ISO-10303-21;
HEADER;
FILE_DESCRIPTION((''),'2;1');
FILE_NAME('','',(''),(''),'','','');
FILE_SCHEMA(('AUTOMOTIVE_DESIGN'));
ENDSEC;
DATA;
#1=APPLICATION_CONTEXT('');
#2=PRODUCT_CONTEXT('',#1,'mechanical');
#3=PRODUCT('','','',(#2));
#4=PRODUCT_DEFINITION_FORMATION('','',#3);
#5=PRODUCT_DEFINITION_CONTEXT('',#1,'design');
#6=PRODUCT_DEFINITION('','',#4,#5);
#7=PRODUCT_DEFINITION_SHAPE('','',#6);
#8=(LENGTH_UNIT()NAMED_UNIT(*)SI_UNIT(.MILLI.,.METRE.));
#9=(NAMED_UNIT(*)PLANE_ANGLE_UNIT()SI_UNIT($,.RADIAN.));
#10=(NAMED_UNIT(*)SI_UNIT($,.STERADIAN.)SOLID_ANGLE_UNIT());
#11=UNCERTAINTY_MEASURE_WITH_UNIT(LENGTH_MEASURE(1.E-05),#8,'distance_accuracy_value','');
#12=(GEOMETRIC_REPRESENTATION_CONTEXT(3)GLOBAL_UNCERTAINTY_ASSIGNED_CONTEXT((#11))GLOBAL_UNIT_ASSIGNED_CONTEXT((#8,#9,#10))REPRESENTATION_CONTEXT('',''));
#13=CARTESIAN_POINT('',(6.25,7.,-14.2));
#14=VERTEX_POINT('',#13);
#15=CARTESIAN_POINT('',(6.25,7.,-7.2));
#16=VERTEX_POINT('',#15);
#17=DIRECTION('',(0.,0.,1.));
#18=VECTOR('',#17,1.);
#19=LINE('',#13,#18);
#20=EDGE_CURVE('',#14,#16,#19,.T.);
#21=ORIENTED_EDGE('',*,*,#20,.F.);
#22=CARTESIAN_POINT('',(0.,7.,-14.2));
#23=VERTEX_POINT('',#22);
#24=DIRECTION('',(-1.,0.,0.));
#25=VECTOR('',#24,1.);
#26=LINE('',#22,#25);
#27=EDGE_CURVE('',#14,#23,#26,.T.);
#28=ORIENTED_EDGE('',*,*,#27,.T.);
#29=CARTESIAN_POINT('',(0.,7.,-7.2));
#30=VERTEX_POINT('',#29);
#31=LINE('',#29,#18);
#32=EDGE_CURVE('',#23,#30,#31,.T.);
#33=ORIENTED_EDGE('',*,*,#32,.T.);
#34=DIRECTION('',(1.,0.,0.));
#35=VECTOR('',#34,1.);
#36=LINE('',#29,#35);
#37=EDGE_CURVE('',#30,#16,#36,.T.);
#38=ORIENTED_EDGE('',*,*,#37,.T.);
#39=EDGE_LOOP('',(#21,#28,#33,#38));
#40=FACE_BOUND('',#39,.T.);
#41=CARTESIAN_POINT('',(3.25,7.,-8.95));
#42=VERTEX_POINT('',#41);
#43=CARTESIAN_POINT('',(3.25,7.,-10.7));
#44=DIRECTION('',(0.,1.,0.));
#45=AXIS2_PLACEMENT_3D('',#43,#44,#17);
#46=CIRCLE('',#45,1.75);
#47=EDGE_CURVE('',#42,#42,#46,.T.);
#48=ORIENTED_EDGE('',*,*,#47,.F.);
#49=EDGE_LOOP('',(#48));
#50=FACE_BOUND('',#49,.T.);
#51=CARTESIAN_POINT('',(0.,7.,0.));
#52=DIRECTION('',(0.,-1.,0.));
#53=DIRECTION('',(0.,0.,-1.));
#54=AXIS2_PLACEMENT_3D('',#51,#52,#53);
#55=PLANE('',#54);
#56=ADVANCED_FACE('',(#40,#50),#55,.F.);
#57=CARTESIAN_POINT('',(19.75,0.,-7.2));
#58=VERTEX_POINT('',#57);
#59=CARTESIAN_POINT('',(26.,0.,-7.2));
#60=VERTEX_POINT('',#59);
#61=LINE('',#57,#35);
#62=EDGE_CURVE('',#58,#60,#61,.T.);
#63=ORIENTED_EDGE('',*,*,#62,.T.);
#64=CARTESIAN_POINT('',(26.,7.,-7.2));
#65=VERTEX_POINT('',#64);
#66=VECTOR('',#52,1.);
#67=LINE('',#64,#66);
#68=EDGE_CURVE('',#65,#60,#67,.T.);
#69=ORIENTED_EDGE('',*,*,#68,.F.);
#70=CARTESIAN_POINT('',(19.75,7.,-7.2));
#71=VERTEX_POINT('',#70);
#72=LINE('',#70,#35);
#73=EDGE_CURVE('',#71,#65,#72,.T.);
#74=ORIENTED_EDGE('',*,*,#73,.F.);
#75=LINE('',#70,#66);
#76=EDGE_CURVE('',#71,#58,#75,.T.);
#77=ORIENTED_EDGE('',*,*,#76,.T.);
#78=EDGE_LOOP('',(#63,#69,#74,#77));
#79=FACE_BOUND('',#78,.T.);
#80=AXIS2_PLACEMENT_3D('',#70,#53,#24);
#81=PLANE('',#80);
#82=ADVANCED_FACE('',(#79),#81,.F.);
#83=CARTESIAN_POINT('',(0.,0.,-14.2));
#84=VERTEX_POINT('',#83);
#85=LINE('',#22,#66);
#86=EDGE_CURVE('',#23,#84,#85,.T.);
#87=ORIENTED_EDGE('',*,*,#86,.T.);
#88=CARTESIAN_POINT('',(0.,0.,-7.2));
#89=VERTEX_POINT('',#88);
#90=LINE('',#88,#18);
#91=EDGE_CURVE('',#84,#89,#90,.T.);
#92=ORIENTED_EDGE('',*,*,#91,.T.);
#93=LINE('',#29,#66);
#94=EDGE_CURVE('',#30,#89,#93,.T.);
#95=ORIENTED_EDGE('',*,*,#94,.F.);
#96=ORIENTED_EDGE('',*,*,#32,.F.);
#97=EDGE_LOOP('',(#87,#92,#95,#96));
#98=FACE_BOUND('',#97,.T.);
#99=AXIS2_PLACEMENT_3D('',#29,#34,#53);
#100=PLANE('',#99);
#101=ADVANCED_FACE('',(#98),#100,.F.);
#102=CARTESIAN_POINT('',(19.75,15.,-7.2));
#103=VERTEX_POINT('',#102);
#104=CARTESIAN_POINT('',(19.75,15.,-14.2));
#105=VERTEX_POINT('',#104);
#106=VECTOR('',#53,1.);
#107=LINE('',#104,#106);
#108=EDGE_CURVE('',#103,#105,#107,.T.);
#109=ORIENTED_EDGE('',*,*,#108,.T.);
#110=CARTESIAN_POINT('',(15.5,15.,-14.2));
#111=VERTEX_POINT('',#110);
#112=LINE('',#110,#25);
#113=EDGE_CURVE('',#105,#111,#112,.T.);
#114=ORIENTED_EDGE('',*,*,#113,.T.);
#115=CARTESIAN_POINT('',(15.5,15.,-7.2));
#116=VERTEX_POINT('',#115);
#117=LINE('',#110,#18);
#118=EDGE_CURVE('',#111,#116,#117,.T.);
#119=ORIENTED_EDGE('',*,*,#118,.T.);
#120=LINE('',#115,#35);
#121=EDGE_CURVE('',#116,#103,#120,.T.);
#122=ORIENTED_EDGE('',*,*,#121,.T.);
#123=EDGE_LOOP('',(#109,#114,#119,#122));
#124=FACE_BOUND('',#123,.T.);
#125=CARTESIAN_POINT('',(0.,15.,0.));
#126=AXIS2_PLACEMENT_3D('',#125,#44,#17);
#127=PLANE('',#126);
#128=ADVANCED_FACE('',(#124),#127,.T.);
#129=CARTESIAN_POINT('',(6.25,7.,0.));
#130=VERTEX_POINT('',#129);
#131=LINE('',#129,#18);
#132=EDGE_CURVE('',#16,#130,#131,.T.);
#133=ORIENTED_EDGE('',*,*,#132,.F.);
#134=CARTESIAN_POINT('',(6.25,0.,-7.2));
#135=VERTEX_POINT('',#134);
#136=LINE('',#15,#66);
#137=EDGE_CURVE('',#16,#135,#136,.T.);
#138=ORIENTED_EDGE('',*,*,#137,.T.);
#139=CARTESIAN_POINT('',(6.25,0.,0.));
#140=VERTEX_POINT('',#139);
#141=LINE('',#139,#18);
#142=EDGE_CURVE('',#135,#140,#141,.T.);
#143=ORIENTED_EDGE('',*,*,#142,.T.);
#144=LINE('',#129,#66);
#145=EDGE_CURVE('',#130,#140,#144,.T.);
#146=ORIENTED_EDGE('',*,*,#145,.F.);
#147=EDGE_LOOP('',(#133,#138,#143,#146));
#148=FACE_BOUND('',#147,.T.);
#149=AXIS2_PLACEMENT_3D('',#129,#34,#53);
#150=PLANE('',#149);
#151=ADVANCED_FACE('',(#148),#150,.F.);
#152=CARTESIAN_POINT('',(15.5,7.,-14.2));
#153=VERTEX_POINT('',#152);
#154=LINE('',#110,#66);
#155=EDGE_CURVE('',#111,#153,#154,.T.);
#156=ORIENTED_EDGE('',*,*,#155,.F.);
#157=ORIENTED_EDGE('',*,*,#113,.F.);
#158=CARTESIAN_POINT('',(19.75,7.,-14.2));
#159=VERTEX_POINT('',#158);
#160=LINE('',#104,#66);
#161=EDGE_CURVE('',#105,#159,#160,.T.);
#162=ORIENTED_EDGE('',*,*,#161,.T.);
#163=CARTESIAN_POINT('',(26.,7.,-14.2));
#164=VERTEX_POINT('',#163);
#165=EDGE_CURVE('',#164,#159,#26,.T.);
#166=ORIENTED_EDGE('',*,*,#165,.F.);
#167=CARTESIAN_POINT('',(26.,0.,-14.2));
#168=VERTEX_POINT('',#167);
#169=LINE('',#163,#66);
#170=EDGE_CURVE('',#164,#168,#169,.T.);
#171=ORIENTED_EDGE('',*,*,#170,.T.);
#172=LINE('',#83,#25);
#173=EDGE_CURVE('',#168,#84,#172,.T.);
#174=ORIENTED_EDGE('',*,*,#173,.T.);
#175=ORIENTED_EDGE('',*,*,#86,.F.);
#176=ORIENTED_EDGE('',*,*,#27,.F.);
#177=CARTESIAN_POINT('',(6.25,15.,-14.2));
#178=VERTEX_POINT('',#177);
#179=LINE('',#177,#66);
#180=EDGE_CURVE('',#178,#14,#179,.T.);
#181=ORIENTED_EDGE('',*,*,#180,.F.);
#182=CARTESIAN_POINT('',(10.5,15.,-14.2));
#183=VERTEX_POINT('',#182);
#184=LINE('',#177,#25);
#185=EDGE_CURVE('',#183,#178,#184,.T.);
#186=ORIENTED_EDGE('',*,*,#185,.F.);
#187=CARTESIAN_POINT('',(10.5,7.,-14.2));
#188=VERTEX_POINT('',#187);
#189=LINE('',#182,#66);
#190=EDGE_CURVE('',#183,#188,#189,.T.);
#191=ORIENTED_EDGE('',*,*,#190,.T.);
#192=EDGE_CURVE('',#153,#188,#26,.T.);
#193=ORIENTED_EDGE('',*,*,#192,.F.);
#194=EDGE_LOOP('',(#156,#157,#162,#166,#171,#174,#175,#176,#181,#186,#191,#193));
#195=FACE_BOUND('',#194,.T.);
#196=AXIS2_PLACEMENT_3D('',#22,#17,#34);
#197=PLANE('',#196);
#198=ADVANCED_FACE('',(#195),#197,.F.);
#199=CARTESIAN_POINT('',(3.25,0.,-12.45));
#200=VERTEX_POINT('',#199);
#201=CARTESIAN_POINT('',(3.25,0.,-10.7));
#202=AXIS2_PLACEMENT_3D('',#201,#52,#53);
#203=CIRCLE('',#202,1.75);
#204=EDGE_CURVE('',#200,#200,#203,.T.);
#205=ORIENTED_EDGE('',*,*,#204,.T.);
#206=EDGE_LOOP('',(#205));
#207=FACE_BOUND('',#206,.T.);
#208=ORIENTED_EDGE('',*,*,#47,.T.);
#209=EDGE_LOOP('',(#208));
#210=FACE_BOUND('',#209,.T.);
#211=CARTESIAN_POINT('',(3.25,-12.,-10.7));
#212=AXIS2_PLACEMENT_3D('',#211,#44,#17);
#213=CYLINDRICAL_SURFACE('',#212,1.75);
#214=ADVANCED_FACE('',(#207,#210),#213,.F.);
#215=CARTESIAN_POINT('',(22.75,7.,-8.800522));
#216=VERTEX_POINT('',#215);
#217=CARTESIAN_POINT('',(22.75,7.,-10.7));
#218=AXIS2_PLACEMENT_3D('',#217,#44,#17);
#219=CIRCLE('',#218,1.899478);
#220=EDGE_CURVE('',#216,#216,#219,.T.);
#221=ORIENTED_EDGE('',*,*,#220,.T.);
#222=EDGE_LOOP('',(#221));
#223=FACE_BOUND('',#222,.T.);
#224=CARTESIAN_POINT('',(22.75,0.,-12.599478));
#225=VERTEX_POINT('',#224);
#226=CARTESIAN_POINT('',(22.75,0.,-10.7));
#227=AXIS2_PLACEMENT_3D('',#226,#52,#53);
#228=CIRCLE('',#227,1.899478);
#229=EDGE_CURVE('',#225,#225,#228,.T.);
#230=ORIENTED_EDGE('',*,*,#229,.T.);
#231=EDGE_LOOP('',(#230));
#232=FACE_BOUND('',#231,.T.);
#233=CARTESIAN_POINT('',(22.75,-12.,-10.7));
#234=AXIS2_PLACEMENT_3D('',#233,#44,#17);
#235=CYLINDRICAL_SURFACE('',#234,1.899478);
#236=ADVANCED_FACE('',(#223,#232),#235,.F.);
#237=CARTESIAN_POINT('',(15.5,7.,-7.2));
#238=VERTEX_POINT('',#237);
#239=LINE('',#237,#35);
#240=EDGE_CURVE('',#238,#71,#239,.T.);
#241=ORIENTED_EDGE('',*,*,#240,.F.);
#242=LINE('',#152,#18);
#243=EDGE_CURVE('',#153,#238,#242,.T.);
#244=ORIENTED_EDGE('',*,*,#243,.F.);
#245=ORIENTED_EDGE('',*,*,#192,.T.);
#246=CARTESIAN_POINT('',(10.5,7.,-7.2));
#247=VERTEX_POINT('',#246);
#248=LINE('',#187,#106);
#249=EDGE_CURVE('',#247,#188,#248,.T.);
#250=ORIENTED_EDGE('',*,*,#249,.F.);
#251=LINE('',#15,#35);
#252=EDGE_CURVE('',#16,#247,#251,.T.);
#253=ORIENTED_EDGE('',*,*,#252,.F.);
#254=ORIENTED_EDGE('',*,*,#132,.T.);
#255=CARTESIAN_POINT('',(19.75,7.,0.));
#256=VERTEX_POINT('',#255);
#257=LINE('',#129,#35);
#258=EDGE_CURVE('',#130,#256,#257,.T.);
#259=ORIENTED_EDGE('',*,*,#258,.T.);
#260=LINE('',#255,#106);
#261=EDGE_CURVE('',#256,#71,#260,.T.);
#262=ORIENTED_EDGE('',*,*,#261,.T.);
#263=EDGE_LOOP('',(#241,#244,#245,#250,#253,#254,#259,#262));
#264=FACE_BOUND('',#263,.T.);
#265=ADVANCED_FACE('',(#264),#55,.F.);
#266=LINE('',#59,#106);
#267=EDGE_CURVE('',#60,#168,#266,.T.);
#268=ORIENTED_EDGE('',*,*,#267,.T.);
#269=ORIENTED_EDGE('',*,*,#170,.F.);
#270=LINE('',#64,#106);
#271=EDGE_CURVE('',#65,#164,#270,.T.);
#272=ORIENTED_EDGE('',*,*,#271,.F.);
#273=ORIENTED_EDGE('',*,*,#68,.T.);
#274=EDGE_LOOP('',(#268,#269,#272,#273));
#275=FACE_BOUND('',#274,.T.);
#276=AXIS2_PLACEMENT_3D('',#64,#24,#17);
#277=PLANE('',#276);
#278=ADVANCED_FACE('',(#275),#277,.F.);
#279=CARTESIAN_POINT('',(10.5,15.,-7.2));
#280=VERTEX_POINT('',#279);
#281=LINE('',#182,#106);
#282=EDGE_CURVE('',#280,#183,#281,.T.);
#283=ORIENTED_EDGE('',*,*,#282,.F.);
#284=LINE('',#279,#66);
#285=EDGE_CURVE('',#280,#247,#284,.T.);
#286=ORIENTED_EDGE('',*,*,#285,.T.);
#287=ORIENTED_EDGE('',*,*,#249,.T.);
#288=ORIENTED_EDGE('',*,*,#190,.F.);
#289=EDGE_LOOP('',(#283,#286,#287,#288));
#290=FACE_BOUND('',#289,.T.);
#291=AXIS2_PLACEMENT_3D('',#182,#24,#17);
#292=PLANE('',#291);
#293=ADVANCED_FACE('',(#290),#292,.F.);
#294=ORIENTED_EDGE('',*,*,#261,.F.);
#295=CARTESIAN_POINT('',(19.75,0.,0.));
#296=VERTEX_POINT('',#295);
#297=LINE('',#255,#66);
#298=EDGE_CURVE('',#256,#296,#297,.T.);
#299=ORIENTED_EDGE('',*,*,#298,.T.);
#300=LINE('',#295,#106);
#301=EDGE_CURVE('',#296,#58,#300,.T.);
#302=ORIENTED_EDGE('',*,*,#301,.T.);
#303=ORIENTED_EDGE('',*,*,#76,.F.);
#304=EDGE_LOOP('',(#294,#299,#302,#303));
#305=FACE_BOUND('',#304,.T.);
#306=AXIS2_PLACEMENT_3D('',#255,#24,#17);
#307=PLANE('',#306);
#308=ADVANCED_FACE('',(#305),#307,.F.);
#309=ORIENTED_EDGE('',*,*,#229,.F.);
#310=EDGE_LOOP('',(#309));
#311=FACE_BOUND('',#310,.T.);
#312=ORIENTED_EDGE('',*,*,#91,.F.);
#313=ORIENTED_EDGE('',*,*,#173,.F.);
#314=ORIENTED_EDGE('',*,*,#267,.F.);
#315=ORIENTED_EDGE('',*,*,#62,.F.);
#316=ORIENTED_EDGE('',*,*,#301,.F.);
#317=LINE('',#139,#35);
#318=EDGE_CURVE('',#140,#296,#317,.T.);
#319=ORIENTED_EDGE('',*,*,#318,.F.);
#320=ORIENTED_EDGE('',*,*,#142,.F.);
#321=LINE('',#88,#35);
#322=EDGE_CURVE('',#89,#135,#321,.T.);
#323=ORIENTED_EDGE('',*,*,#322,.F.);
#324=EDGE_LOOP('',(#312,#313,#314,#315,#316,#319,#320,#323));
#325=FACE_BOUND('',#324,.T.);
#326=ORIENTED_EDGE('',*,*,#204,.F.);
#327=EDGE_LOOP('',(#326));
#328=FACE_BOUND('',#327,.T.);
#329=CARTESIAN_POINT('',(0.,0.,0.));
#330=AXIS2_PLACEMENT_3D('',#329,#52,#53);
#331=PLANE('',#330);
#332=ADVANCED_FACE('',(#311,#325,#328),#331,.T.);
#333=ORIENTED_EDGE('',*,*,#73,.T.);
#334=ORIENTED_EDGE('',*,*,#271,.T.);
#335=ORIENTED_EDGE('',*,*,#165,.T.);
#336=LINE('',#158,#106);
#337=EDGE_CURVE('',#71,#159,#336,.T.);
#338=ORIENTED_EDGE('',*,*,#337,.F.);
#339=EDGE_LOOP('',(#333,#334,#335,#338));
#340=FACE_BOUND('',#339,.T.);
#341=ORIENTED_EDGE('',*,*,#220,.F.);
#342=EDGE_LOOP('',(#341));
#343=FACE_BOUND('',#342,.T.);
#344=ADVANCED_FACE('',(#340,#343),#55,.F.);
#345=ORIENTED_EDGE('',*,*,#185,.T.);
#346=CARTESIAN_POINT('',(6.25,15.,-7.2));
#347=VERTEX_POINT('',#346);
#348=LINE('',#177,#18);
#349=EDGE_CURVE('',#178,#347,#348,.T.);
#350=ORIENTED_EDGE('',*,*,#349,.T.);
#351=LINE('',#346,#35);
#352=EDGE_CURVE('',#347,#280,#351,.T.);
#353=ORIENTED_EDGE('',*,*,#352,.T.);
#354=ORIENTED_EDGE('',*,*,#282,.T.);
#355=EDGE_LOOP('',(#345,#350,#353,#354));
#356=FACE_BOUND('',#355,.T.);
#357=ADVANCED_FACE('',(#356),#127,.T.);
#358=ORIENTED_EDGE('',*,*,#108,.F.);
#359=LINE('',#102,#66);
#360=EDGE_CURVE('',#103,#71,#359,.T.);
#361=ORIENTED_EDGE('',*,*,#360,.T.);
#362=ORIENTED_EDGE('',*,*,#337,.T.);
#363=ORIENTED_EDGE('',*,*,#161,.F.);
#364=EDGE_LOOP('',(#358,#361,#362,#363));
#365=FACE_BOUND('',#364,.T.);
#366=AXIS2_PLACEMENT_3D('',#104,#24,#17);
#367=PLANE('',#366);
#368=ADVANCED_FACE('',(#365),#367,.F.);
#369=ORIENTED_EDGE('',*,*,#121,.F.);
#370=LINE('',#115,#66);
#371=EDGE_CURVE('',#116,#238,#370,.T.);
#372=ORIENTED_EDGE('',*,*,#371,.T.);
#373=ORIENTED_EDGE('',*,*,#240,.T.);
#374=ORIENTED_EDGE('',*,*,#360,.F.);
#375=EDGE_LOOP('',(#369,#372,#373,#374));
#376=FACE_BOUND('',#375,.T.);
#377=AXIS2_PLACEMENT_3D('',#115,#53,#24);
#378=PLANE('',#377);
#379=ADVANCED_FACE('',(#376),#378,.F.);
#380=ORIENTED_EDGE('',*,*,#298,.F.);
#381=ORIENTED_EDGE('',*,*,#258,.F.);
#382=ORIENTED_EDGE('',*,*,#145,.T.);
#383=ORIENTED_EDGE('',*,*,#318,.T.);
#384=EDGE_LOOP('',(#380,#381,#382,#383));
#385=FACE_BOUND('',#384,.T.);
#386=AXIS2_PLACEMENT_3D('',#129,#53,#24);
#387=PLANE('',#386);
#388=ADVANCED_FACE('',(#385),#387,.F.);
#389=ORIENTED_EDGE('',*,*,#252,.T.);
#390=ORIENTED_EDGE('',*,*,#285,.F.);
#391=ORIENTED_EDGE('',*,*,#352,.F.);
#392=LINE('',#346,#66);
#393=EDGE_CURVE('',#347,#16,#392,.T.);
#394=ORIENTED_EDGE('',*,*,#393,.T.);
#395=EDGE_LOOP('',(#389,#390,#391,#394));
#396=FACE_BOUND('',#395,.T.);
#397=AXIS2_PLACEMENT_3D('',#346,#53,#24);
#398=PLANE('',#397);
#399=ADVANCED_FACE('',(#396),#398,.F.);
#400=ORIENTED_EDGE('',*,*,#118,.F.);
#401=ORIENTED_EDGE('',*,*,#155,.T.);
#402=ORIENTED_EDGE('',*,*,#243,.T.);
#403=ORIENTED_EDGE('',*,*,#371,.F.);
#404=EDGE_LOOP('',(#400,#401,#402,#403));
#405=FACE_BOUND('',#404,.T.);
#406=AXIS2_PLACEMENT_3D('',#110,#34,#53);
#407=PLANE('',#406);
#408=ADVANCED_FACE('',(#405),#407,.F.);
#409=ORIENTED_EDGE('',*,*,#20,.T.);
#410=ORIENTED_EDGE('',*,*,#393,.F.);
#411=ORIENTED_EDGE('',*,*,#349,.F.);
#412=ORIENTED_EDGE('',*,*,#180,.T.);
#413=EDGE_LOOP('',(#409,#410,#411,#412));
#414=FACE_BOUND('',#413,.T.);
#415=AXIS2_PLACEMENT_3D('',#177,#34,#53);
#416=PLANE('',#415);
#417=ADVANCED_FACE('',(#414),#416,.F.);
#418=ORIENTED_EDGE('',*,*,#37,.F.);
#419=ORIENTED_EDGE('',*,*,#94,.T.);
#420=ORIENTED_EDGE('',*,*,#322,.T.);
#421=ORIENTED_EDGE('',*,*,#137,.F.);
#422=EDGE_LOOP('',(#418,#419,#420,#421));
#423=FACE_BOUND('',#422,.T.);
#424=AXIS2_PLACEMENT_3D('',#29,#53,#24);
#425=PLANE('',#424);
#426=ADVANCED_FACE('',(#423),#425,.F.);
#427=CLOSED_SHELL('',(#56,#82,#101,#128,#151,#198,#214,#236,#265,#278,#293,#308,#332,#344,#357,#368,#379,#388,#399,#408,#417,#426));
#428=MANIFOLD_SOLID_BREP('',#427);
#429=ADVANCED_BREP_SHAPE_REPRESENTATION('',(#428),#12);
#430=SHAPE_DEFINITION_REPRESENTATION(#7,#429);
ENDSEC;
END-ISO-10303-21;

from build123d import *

# Parameters (mm, degrees)
BOSS_EXTRUDE1_DEPTH = 7
SKETCH2_W           = 4.25
SKETCH2_H           = 7
BOSS_EXTRUDE2_DEPTH = 8
SKETCH3_R           = 1.899478465
SKETCH3_R_2         = 1.75
CUT_EXTRUDE1_DEPTH  = 19


with BuildPart() as part:
    # Sketch1 → Boss-Extrude1 (new body)
    with BuildSketch(Plane(origin=(0, 0, 0), x_dir=(1, 0, 0), z_dir=(0, 1, 0))):
        Polygon((6.25, 0), (19.75, 0), (19.75, 7.2), (26, 7.2), (26, 14.2), (0, 14.2), (0, 7.2), (6.25, 7.2), align=None)
    extrude(amount=BOSS_EXTRUDE1_DEPTH)

    # Sketch2 → Boss-Extrude2 (add)
    with BuildSketch(Plane(origin=(0, 7, 0), x_dir=(1, 0, 0), z_dir=(0, 1, 0))):
        with Locations((8.375, 10.7)):
            Rectangle(SKETCH2_W, SKETCH2_H)
        with Locations((17.625, 10.7)):
            Rectangle(SKETCH2_W, SKETCH2_H)
    extrude(amount=BOSS_EXTRUDE2_DEPTH)

    # Sketch3 → Cut-Extrude1 (cut)
    with BuildSketch(Plane(origin=(0, 7, 0), x_dir=(1, 0, 0), z_dir=(0, 1, 0))):
        with Locations(Location((22.75, 10.7, 0), (0, 0, 270))):
            Circle(SKETCH3_R)
        with Locations(Location((3.25, 10.7, 0), (0, 0, 270))):
            Circle(SKETCH3_R_2)
    extrude(amount=-CUT_EXTRUDE1_DEPTH, mode=Mode.SUBTRACT)


solid = part.part
